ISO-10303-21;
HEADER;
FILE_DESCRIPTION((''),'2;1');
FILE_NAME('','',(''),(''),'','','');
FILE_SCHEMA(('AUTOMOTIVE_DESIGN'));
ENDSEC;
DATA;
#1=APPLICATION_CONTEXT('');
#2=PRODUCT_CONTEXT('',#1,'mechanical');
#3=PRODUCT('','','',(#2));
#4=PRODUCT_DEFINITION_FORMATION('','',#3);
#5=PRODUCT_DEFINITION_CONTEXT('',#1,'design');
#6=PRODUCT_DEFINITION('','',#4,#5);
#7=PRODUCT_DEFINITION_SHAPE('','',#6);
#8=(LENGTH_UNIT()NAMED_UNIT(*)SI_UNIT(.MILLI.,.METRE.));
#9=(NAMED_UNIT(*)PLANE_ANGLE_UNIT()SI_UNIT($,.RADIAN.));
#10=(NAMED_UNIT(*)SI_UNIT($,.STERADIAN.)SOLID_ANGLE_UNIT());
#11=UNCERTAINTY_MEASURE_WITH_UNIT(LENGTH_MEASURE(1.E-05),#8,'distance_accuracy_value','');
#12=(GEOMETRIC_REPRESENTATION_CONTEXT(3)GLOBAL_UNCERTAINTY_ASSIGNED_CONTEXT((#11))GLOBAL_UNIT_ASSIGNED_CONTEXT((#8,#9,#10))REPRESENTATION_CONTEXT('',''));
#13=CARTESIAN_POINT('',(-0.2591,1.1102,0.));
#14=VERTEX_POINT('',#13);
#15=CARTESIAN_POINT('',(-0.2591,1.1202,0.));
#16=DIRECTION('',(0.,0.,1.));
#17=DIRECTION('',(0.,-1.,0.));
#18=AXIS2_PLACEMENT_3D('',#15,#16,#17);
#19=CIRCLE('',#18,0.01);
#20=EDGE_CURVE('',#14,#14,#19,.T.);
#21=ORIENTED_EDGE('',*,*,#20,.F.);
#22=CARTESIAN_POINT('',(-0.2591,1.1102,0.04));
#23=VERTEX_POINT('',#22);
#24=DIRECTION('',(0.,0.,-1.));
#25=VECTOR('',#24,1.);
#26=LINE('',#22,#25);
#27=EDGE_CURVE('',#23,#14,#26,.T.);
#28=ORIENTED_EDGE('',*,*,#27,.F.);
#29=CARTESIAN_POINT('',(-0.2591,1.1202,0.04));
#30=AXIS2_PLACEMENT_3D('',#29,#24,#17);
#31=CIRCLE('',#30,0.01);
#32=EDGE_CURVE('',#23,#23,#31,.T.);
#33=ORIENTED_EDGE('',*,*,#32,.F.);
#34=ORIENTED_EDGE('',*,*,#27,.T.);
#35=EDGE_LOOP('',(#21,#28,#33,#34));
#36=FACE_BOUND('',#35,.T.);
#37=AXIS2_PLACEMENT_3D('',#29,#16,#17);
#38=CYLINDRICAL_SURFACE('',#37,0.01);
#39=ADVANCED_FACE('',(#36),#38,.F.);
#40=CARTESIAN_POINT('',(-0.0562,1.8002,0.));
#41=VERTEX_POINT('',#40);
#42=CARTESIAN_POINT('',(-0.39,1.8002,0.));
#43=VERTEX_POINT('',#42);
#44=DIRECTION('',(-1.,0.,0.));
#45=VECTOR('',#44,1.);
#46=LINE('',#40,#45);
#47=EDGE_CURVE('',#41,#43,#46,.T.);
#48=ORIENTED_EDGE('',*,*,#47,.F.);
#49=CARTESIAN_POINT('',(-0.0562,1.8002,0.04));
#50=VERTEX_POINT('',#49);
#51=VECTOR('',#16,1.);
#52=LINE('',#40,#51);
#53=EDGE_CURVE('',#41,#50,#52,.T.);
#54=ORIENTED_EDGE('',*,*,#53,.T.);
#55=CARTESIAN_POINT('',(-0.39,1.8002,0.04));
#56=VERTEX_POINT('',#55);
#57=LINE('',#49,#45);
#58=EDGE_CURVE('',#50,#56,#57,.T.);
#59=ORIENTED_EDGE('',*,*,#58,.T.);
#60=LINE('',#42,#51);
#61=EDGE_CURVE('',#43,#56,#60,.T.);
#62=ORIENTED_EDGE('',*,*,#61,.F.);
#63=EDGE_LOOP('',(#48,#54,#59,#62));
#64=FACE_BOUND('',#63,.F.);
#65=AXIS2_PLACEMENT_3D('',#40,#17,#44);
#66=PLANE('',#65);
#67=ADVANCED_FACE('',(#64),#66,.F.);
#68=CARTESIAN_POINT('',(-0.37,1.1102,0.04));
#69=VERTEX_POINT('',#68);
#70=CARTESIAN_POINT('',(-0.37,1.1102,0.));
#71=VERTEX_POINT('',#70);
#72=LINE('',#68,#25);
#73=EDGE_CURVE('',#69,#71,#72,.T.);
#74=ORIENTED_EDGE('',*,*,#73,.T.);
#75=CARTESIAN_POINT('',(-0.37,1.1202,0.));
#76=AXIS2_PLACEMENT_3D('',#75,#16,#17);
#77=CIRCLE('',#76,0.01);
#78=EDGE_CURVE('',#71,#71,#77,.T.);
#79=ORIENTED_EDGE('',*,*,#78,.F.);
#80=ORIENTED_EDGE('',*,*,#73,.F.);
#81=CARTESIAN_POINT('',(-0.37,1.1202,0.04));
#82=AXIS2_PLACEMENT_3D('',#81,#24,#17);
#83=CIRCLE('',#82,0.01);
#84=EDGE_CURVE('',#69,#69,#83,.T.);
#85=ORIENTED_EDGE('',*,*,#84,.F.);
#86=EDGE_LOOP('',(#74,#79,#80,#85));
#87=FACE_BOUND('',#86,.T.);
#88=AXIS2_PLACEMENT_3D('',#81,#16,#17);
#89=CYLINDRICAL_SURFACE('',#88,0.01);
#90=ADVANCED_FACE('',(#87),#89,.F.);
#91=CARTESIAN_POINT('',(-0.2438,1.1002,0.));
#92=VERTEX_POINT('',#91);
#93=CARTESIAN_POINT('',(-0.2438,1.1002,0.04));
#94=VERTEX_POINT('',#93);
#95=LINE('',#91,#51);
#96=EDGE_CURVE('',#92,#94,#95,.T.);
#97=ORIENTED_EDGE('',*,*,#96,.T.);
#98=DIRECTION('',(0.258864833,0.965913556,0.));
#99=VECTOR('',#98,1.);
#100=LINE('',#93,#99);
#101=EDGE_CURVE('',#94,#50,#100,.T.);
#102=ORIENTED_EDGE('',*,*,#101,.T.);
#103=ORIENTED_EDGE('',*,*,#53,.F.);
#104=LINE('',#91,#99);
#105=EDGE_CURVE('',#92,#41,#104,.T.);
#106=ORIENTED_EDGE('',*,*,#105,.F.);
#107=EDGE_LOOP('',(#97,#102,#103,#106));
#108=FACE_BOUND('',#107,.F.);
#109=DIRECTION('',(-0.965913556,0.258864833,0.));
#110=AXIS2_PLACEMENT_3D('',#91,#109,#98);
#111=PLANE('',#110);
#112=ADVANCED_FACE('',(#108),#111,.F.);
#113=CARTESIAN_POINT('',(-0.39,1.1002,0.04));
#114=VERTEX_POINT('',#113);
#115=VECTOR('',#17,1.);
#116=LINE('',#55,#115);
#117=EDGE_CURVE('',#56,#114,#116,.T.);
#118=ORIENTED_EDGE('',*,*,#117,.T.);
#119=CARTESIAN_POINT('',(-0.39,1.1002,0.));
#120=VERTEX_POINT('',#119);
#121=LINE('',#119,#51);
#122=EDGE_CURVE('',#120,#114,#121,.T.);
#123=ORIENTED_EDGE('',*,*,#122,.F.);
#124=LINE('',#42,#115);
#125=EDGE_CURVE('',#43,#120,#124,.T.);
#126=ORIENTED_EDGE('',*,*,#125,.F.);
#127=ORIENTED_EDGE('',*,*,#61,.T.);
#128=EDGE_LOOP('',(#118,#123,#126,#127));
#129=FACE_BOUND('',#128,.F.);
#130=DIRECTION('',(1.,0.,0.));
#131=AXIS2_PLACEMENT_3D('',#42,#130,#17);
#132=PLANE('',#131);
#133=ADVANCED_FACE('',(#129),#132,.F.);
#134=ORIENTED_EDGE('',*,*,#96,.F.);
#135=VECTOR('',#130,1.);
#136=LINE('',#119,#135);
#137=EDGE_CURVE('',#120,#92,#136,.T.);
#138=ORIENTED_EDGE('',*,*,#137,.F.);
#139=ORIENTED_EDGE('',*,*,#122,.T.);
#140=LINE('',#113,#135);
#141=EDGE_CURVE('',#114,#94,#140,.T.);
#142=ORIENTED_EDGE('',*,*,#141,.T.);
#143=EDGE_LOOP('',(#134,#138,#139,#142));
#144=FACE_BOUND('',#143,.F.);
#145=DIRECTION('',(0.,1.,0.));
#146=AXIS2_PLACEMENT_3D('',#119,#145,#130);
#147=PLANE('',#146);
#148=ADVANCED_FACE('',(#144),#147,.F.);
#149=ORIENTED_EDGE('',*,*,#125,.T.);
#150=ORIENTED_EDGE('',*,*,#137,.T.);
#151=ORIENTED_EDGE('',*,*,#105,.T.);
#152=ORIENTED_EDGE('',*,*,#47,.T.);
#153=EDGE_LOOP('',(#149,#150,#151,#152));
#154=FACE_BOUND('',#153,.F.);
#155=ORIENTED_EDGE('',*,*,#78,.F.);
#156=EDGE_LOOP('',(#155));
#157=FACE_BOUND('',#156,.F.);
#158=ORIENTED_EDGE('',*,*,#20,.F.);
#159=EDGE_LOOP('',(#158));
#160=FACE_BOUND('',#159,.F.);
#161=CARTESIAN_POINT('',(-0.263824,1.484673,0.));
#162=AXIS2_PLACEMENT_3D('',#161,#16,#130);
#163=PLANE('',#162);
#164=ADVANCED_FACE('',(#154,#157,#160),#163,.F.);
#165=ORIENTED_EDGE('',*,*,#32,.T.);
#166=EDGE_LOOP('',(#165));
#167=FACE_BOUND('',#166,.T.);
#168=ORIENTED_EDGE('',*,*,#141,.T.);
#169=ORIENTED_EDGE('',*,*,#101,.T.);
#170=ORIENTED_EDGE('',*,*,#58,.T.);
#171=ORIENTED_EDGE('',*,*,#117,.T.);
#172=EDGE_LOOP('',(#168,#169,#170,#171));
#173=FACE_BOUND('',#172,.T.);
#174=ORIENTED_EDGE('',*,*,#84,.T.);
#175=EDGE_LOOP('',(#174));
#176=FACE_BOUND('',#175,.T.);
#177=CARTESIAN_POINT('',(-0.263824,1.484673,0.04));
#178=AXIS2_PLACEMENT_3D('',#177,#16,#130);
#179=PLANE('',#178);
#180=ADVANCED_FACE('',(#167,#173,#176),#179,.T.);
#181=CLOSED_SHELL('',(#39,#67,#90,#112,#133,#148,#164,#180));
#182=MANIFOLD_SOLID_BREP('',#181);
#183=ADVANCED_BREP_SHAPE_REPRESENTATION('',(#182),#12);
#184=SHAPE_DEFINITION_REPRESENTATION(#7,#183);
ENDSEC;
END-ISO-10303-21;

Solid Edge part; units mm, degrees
sketch "Sketch1" plane through (0, 0, 0) normal (0, 0, 1) x (1, 0, 0)
  line L0 (-0.2438, 1.1002) -> (-0.0562, 1.8002)
  line L1 (-0.0562, 1.8002) -> (-0.39, 1.8002)
  line L2 (-0.39, 1.8002) -> (-0.39, 1.1002)
  line L3 (-0.39, 1.1002) -> (-0.2438, 1.1002)
extrude "Protrusion1" add sketch "Sketch1" along normal blind 0.04
hole "Bohrung_7" at (-0.37, 1.1202, 0.04) direction (0, 0, -1) diameter 0.02 end through all
hole "Hole1" at (-0.2591, 1.1202, 0.04) direction (0, 0, -1) diameter 0.02 end through all
